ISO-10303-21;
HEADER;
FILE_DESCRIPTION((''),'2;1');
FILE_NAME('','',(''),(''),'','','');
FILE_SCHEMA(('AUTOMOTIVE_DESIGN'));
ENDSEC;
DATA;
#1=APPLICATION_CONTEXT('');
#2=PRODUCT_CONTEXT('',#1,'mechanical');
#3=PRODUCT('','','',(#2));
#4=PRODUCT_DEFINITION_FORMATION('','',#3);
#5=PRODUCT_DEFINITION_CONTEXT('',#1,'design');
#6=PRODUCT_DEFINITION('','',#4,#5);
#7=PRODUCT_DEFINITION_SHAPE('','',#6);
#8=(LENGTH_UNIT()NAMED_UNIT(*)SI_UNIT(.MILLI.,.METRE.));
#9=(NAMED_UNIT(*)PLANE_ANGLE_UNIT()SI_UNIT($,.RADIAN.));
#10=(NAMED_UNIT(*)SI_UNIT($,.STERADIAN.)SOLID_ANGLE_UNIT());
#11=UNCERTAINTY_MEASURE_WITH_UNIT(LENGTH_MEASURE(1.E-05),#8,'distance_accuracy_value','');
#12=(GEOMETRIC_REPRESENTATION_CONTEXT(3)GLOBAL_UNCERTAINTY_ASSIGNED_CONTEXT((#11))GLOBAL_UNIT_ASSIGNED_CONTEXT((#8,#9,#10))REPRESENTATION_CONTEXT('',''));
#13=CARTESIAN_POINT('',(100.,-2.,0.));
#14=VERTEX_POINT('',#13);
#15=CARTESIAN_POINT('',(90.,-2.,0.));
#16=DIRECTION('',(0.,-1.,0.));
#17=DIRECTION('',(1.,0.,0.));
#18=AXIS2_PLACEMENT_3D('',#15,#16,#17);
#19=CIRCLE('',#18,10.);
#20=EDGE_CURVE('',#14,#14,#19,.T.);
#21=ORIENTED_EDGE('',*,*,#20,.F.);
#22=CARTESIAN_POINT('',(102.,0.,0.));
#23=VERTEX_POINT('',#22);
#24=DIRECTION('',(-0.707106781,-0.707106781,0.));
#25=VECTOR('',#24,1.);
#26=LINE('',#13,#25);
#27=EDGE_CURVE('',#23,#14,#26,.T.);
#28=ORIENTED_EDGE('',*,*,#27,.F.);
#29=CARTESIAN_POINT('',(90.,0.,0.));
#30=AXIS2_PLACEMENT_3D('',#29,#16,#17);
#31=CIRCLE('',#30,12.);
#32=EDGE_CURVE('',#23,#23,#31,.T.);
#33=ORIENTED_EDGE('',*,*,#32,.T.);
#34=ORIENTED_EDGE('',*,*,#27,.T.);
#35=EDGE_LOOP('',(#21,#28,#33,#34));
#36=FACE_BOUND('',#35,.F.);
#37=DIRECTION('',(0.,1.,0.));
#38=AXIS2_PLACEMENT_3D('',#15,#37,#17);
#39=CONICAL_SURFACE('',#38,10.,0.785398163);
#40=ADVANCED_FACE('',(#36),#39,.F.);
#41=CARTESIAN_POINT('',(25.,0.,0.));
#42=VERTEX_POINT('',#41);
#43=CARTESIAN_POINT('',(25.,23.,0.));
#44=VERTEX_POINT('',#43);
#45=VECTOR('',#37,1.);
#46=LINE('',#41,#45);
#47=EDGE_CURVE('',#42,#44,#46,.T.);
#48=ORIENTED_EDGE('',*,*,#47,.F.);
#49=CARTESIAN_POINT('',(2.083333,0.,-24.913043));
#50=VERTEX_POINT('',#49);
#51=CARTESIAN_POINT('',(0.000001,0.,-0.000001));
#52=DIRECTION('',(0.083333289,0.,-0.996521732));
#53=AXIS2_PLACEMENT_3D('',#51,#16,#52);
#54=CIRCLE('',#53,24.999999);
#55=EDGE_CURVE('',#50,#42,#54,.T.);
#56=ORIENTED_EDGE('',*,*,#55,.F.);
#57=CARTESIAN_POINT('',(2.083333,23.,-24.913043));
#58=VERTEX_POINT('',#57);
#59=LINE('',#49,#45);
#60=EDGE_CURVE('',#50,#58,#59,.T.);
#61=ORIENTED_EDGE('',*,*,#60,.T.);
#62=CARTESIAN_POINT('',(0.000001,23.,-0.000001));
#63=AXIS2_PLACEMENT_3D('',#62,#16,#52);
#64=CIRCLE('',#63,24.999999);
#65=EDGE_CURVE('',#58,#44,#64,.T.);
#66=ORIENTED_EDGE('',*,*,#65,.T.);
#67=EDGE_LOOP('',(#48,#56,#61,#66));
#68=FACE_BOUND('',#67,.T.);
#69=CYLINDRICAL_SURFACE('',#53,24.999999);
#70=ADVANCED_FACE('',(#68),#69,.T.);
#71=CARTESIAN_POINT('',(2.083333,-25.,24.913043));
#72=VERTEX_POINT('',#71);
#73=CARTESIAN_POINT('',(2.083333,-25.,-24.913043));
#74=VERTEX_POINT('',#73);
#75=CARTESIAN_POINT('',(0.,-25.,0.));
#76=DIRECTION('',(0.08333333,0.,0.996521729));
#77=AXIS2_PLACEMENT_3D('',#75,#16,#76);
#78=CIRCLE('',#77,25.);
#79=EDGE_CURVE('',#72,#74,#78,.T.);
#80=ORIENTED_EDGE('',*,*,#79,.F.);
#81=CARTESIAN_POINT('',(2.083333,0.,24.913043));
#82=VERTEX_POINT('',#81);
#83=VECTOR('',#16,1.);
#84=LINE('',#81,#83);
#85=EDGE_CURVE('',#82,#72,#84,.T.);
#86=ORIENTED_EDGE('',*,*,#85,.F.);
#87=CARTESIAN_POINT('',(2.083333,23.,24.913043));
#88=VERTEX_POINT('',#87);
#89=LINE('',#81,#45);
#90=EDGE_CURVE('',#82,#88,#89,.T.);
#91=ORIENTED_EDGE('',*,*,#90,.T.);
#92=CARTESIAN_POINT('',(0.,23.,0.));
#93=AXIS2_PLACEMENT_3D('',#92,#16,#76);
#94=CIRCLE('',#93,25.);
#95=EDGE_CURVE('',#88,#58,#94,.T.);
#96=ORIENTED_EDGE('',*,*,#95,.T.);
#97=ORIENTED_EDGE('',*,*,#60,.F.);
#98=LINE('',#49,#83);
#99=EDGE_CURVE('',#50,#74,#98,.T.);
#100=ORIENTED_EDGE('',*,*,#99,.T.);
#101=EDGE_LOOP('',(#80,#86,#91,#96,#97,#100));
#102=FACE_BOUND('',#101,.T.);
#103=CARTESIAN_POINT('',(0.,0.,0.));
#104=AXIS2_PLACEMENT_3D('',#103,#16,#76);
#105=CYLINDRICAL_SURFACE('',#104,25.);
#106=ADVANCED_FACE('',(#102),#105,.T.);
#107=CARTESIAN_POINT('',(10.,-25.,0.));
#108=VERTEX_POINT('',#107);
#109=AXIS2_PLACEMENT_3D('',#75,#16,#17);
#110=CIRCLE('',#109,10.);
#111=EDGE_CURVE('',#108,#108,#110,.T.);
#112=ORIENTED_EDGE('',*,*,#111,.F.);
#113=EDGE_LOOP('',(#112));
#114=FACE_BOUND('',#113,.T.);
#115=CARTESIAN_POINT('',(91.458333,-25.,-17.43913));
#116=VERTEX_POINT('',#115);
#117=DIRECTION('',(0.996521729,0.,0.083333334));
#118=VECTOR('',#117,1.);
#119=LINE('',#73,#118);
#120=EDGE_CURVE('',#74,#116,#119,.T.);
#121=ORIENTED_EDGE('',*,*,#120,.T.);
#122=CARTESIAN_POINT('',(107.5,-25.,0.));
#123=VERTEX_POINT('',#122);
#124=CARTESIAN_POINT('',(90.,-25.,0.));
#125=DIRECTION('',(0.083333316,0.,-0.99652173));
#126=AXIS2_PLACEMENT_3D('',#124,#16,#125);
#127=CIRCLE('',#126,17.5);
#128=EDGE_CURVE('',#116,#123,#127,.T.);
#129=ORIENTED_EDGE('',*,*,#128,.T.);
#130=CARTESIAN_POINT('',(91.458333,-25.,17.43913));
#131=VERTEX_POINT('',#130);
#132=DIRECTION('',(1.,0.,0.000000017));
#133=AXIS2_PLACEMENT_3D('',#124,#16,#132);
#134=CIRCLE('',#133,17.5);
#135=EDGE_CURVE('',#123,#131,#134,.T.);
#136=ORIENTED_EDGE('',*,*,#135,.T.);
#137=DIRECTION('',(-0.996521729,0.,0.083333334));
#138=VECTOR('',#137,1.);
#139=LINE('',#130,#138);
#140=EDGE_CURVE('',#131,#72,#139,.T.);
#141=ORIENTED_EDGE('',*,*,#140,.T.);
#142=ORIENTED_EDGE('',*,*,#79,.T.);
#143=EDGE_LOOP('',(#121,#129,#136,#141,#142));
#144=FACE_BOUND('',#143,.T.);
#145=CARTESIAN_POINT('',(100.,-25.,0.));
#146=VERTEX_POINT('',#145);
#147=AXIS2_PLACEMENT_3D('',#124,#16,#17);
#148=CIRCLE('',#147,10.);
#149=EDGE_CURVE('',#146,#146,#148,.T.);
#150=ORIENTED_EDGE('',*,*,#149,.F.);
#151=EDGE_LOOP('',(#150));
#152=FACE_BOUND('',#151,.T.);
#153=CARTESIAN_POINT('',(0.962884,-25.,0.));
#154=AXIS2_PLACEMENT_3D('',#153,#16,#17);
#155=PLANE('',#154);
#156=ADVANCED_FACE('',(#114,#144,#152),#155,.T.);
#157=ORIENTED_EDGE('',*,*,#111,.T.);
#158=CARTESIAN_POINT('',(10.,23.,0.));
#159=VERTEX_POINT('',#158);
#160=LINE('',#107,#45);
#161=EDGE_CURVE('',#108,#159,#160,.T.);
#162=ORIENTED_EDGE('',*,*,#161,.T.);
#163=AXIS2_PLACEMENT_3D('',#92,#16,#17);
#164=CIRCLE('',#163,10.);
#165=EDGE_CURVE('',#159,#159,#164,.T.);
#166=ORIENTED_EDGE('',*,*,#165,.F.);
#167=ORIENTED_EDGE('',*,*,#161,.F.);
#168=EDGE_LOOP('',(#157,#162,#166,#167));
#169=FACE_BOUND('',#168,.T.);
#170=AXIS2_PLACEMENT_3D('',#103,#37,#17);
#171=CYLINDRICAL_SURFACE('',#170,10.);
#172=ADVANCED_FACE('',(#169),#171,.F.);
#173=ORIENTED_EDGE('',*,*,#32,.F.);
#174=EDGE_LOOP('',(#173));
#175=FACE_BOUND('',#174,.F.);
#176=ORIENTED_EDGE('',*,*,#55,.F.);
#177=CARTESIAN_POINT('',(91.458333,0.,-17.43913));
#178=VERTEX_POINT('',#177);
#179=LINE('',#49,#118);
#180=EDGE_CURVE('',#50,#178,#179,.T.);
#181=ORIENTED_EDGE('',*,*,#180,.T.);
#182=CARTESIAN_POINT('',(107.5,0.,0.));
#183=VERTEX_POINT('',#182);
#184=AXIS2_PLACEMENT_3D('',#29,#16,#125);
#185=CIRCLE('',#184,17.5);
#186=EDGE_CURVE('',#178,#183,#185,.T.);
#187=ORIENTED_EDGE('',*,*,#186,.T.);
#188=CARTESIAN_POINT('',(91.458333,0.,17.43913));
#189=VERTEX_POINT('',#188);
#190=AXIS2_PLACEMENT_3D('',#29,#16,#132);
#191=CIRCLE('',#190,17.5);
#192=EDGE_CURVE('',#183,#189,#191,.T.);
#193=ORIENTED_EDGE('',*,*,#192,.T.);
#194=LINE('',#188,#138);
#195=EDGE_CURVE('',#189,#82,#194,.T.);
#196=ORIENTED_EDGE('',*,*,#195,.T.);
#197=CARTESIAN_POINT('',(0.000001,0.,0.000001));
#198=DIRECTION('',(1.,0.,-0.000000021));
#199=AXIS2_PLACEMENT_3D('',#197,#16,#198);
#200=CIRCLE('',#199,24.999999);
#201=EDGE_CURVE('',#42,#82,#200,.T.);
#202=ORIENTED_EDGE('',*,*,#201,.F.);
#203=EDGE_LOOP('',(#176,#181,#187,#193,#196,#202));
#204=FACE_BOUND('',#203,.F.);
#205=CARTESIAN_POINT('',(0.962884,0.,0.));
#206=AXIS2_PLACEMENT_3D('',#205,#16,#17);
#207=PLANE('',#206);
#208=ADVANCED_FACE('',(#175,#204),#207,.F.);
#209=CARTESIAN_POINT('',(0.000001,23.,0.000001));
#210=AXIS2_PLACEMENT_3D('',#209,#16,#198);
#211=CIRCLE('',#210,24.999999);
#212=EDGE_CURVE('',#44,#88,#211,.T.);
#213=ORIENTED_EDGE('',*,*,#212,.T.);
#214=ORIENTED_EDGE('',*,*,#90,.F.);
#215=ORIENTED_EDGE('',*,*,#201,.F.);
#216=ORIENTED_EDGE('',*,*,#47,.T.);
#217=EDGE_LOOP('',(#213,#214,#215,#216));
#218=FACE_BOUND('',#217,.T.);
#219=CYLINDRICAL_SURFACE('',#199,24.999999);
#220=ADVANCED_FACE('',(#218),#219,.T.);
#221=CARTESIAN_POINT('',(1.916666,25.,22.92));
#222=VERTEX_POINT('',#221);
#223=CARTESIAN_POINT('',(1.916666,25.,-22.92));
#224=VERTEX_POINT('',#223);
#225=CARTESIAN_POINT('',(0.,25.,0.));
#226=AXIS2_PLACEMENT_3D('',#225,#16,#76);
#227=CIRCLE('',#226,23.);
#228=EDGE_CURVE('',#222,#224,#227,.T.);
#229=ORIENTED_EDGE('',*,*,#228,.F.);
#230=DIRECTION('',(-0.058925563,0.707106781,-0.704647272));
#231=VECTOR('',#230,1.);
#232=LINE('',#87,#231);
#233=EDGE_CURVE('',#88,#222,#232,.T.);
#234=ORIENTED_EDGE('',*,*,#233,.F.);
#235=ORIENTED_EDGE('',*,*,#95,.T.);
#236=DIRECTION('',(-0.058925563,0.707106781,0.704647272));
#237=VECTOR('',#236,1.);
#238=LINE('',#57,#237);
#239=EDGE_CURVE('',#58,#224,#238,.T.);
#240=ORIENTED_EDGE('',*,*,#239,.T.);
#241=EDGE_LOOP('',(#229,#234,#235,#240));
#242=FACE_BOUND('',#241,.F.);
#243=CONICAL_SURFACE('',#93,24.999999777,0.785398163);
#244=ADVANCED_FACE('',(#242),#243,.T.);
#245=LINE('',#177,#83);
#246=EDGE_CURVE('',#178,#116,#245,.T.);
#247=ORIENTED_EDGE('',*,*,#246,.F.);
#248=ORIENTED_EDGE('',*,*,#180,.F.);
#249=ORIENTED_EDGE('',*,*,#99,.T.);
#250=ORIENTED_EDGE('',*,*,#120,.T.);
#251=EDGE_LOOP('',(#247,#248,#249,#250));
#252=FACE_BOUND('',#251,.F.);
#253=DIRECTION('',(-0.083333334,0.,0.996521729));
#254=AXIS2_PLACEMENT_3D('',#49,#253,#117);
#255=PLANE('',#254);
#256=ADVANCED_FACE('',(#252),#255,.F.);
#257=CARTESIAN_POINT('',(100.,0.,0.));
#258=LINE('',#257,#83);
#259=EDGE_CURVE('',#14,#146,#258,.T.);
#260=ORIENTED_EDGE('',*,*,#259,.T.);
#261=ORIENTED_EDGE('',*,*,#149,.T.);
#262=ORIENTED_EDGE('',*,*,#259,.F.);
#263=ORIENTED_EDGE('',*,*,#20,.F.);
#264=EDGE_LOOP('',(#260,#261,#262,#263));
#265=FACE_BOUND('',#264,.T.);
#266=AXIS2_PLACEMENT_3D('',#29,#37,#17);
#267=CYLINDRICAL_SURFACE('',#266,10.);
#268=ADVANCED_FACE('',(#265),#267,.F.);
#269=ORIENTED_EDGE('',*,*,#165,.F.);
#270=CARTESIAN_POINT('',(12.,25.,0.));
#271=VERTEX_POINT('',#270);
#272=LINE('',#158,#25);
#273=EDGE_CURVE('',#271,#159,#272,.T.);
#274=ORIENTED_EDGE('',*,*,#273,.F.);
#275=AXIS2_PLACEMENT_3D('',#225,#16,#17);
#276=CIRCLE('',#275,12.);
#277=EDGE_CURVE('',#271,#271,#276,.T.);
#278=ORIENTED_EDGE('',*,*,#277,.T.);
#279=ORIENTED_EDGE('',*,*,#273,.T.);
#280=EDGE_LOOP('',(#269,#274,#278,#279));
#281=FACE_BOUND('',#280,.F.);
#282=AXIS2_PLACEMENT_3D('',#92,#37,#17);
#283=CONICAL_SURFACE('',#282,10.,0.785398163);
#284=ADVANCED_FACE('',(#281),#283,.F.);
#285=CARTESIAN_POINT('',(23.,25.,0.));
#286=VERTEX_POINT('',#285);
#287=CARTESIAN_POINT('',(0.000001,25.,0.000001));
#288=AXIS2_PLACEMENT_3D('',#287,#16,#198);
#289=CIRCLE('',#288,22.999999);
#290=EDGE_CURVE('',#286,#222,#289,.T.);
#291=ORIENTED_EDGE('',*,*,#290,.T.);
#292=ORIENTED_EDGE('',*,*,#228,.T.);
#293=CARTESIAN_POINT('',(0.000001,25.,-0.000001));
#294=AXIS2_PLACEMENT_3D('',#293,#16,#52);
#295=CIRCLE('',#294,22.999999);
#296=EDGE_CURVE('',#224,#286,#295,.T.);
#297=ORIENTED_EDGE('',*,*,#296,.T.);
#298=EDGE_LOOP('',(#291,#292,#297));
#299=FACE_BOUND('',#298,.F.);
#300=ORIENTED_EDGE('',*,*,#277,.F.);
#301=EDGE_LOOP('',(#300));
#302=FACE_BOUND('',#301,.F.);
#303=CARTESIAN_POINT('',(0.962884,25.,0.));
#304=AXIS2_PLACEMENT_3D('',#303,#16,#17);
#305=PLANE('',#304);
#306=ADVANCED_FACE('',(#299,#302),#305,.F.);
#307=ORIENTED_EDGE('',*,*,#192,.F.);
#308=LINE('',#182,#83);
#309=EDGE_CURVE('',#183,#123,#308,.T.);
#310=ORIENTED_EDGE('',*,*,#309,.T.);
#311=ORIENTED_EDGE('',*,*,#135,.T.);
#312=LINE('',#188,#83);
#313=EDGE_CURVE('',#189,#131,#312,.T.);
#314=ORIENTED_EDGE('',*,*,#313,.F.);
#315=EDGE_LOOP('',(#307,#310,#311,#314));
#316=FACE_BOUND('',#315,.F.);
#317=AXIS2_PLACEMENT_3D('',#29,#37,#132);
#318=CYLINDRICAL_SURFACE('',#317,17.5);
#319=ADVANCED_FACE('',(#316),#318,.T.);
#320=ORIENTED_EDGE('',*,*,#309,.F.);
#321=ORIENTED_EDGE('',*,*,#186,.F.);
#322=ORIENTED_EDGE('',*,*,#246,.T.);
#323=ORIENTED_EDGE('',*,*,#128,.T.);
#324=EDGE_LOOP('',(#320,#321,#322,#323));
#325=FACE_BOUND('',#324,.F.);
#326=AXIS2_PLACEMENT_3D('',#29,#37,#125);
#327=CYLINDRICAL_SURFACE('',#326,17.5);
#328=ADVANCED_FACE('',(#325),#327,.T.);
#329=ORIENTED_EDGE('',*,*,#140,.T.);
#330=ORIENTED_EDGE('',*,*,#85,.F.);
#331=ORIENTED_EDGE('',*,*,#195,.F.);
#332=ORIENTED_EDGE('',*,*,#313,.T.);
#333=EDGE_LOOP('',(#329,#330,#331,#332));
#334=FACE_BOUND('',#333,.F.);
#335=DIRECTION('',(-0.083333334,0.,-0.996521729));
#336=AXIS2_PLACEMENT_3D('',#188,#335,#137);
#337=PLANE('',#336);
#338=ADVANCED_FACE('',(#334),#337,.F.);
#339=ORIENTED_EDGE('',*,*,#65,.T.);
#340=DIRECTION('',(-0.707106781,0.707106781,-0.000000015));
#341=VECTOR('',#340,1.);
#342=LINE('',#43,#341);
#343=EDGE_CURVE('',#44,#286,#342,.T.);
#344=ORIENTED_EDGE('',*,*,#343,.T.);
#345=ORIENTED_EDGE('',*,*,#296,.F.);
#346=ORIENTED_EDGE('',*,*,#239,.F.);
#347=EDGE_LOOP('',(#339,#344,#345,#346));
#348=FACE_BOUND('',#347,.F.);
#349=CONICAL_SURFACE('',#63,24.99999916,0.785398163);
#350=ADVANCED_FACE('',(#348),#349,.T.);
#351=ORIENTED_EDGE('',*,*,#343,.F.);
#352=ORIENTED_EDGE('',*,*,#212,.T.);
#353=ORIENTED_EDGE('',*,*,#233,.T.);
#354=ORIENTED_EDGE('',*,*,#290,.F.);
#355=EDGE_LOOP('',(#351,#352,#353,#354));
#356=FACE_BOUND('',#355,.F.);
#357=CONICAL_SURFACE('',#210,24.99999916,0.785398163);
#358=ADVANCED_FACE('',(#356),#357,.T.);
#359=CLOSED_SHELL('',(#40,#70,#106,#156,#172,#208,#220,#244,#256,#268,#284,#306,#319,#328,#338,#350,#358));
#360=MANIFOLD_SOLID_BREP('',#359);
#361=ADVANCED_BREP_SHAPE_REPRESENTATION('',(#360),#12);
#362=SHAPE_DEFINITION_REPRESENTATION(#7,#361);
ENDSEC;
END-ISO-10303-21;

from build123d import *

# Parameters (mm, degrees)
F0_R          = 10
F1_DEPTH      = 25
F2_DEPTH      = 25
F2_DEPTH_BACK = 25
F3_SIZE       = 2


with BuildPart() as f1:
    # F0 (on Front) → F1 (new body)
    with BuildSketch(Plane.XZ):
        with BuildLine():
            ThreePointArc((2.083333, -24.913043), (18.399502, -16.92508), (25, 0))
            ThreePointArc((25, 0), (18.399502, 16.92508), (2.083333, 24.913043))
            ThreePointArc((2.083333, 24.913043), (-25, 0), (2.083333, -24.913043))
        make_face()
        Circle(F0_R, mode=Mode.SUBTRACT)
        with BuildLine():
            ThreePointArc((2.083333, 24.913043), (18.399502, 16.92508), (25, 0))
            ThreePointArc((25, 0), (18.399502, -16.92508), (2.083333, -24.913043))
            Line((2.083333, -24.913043), (91.458333, -17.43913))
            ThreePointArc((91.458333, -17.43913), (72.5, 0), (91.458333, 17.43913))
            Line((91.458333, 17.43913), (2.083333, 24.913043))
        make_face()
        with BuildLine():
            ThreePointArc((107.5, 0), (102.879651, 11.847556), (91.458333, 17.43913))
            ThreePointArc((91.458333, 17.43913), (72.5, 0), (91.458333, -17.43913))
            ThreePointArc((91.458333, -17.43913), (102.879651, -11.847556), (107.5, 0))
        make_face()
        with Locations((90, 0)):
            Circle(F0_R, mode=Mode.SUBTRACT)
    extrude(amount=F1_DEPTH)

    # F0 (on Front) → F2 (join, two sides)
    with BuildSketch(Plane.XZ) as f2_sk:
        with BuildLine():
            ThreePointArc((2.083333, -24.913043), (18.399502, -16.92508), (25, 0))
            ThreePointArc((25, 0), (18.399502, 16.92508), (2.083333, 24.913043))
            ThreePointArc((2.083333, 24.913043), (-25, 0), (2.083333, -24.913043))
        make_face()
        Circle(F0_R, mode=Mode.SUBTRACT)
    extrude(amount=F2_DEPTH)
    extrude(f2_sk.sketch, amount=-F2_DEPTH_BACK)

    # F3
    f3_edges = [f1.edges().sort_by_distance(p)[0] for p in [
        (80, 0, 0),
        (-2.083333, 25, 24.913043),
        (-10, 25, 0),
    ]]
    chamfer(f3_edges, length=F3_SIZE)


solid = f1.part
